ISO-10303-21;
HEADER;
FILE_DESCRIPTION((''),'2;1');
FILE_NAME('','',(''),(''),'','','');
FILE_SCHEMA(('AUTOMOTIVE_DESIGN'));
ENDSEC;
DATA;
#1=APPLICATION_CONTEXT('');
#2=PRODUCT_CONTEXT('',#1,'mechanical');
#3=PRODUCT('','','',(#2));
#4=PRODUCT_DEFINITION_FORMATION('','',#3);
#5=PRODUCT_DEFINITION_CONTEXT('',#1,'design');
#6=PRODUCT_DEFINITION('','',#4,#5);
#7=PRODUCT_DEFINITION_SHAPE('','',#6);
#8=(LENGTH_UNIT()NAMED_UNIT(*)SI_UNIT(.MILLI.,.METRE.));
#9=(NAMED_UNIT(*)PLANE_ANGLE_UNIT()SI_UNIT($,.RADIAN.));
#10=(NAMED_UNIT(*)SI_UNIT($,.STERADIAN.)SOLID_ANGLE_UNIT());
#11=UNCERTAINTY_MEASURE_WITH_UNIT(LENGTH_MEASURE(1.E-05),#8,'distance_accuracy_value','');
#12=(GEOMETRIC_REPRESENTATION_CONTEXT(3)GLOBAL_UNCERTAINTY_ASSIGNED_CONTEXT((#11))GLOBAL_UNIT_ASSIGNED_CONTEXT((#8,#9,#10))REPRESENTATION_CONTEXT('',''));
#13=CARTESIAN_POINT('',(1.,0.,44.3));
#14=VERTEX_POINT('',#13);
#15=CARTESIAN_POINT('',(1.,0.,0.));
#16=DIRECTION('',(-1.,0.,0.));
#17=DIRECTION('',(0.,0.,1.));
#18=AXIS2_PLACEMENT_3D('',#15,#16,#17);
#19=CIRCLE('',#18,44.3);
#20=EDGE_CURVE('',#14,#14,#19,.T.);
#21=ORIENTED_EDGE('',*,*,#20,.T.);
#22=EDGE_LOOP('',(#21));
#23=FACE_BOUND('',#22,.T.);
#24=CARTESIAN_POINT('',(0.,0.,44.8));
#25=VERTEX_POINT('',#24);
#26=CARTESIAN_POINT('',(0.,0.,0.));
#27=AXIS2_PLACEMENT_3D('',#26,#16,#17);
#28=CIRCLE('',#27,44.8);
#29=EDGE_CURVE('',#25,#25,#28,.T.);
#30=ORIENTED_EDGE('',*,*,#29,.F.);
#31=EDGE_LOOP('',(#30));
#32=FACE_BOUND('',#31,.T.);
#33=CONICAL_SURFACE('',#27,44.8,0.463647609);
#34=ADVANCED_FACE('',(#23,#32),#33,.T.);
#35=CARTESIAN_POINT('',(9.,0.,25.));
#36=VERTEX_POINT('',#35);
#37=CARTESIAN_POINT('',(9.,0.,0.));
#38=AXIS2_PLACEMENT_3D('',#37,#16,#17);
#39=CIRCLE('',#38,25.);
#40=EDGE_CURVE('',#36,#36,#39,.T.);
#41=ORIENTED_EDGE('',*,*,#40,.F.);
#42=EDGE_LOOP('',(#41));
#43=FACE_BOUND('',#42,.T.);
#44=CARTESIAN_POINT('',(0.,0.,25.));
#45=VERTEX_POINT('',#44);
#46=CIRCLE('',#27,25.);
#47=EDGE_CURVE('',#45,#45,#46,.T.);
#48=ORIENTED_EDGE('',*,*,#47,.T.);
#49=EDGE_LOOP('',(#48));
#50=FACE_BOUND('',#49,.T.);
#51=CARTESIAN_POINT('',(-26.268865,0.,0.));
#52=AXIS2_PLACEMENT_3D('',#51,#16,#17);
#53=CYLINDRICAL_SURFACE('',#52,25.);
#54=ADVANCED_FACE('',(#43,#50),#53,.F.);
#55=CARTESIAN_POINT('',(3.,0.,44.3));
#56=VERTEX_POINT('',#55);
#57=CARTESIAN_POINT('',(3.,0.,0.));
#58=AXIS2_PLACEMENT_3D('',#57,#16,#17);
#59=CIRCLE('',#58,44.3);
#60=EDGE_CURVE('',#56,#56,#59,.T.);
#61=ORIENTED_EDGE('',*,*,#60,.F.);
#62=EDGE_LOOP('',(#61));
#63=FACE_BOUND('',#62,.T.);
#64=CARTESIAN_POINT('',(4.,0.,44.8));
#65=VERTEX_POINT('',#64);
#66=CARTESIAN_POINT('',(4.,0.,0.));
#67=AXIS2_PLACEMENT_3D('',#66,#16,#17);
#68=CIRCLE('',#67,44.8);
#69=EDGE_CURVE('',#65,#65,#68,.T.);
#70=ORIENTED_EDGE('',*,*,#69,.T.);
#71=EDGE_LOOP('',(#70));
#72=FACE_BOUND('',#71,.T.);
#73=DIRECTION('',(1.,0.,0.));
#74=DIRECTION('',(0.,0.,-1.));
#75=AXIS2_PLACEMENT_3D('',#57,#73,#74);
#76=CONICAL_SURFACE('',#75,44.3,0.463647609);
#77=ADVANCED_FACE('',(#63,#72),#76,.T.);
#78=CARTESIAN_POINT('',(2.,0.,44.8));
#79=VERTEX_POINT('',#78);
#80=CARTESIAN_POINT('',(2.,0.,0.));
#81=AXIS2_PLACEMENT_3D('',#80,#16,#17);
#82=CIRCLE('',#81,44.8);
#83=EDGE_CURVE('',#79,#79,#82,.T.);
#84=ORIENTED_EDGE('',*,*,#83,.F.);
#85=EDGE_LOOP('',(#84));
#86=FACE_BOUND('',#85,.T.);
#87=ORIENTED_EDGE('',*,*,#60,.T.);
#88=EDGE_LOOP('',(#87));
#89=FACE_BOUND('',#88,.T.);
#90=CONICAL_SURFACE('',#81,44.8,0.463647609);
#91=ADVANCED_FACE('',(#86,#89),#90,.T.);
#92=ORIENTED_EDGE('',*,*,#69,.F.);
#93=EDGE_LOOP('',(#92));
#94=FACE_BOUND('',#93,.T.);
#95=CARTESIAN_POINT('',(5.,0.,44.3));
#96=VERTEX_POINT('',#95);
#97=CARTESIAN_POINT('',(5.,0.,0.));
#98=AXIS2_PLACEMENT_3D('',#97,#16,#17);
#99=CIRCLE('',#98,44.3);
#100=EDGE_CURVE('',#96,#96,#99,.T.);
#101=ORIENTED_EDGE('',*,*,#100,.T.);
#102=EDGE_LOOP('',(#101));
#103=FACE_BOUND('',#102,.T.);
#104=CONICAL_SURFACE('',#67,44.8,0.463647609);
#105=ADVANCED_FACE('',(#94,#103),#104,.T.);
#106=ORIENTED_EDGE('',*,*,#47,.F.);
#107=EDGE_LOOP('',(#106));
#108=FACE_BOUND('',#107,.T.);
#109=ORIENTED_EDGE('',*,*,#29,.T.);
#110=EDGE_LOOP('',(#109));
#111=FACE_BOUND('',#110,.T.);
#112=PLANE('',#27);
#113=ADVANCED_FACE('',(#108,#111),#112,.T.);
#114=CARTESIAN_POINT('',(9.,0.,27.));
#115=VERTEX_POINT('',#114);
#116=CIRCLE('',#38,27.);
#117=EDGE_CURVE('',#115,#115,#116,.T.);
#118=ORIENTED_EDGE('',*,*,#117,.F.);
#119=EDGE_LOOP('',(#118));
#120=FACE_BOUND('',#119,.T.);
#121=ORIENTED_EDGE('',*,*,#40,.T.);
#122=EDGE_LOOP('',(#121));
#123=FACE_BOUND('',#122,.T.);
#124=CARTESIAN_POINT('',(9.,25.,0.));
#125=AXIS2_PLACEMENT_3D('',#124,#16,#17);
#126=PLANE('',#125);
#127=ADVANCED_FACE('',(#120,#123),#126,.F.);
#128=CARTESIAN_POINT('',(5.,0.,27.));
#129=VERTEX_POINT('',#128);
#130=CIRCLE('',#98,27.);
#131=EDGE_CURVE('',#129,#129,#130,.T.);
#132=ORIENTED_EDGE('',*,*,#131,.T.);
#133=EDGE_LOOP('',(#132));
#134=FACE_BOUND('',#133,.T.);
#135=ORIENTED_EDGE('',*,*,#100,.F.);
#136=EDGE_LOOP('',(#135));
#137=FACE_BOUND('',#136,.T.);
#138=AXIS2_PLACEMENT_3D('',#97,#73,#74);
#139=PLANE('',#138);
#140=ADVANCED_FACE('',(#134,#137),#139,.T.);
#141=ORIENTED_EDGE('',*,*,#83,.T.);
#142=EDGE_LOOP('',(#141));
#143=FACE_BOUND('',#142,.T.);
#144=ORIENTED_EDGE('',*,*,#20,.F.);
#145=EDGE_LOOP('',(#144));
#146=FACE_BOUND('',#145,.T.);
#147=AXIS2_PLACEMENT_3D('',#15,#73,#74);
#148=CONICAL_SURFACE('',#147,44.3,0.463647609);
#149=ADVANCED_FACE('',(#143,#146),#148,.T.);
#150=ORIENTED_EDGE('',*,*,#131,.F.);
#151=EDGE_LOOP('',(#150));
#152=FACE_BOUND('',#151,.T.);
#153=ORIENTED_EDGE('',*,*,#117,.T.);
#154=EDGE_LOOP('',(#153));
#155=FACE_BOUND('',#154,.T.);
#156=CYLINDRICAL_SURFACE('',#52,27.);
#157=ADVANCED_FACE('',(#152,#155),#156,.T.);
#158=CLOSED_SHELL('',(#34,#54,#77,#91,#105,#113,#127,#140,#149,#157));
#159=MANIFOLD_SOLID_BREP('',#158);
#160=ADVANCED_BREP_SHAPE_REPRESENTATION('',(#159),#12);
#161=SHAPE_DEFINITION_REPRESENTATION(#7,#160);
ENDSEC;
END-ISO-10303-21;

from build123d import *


with BuildPart() as part:
    # 草图1 → 旋转1 (revolve)
    with BuildSketch(Plane.XY, mode=Mode.PRIVATE) as revolve_1_sk:
        Polygon((0, 25), (9, 25), (9, 27), (5, 27), (5, 44.3), (4, 44.8), (3, 44.3), (2, 44.8), (1, 44.3), (0, 44.8), align=None)
    revolve(revolve_1_sk.sketch.rotate(Axis((-26.268864841, 0, 0), (1, 0, 0)), 90), axis=Axis((-26.268864841, 0, 0), (1, 0, 0)))


solid = part.part
